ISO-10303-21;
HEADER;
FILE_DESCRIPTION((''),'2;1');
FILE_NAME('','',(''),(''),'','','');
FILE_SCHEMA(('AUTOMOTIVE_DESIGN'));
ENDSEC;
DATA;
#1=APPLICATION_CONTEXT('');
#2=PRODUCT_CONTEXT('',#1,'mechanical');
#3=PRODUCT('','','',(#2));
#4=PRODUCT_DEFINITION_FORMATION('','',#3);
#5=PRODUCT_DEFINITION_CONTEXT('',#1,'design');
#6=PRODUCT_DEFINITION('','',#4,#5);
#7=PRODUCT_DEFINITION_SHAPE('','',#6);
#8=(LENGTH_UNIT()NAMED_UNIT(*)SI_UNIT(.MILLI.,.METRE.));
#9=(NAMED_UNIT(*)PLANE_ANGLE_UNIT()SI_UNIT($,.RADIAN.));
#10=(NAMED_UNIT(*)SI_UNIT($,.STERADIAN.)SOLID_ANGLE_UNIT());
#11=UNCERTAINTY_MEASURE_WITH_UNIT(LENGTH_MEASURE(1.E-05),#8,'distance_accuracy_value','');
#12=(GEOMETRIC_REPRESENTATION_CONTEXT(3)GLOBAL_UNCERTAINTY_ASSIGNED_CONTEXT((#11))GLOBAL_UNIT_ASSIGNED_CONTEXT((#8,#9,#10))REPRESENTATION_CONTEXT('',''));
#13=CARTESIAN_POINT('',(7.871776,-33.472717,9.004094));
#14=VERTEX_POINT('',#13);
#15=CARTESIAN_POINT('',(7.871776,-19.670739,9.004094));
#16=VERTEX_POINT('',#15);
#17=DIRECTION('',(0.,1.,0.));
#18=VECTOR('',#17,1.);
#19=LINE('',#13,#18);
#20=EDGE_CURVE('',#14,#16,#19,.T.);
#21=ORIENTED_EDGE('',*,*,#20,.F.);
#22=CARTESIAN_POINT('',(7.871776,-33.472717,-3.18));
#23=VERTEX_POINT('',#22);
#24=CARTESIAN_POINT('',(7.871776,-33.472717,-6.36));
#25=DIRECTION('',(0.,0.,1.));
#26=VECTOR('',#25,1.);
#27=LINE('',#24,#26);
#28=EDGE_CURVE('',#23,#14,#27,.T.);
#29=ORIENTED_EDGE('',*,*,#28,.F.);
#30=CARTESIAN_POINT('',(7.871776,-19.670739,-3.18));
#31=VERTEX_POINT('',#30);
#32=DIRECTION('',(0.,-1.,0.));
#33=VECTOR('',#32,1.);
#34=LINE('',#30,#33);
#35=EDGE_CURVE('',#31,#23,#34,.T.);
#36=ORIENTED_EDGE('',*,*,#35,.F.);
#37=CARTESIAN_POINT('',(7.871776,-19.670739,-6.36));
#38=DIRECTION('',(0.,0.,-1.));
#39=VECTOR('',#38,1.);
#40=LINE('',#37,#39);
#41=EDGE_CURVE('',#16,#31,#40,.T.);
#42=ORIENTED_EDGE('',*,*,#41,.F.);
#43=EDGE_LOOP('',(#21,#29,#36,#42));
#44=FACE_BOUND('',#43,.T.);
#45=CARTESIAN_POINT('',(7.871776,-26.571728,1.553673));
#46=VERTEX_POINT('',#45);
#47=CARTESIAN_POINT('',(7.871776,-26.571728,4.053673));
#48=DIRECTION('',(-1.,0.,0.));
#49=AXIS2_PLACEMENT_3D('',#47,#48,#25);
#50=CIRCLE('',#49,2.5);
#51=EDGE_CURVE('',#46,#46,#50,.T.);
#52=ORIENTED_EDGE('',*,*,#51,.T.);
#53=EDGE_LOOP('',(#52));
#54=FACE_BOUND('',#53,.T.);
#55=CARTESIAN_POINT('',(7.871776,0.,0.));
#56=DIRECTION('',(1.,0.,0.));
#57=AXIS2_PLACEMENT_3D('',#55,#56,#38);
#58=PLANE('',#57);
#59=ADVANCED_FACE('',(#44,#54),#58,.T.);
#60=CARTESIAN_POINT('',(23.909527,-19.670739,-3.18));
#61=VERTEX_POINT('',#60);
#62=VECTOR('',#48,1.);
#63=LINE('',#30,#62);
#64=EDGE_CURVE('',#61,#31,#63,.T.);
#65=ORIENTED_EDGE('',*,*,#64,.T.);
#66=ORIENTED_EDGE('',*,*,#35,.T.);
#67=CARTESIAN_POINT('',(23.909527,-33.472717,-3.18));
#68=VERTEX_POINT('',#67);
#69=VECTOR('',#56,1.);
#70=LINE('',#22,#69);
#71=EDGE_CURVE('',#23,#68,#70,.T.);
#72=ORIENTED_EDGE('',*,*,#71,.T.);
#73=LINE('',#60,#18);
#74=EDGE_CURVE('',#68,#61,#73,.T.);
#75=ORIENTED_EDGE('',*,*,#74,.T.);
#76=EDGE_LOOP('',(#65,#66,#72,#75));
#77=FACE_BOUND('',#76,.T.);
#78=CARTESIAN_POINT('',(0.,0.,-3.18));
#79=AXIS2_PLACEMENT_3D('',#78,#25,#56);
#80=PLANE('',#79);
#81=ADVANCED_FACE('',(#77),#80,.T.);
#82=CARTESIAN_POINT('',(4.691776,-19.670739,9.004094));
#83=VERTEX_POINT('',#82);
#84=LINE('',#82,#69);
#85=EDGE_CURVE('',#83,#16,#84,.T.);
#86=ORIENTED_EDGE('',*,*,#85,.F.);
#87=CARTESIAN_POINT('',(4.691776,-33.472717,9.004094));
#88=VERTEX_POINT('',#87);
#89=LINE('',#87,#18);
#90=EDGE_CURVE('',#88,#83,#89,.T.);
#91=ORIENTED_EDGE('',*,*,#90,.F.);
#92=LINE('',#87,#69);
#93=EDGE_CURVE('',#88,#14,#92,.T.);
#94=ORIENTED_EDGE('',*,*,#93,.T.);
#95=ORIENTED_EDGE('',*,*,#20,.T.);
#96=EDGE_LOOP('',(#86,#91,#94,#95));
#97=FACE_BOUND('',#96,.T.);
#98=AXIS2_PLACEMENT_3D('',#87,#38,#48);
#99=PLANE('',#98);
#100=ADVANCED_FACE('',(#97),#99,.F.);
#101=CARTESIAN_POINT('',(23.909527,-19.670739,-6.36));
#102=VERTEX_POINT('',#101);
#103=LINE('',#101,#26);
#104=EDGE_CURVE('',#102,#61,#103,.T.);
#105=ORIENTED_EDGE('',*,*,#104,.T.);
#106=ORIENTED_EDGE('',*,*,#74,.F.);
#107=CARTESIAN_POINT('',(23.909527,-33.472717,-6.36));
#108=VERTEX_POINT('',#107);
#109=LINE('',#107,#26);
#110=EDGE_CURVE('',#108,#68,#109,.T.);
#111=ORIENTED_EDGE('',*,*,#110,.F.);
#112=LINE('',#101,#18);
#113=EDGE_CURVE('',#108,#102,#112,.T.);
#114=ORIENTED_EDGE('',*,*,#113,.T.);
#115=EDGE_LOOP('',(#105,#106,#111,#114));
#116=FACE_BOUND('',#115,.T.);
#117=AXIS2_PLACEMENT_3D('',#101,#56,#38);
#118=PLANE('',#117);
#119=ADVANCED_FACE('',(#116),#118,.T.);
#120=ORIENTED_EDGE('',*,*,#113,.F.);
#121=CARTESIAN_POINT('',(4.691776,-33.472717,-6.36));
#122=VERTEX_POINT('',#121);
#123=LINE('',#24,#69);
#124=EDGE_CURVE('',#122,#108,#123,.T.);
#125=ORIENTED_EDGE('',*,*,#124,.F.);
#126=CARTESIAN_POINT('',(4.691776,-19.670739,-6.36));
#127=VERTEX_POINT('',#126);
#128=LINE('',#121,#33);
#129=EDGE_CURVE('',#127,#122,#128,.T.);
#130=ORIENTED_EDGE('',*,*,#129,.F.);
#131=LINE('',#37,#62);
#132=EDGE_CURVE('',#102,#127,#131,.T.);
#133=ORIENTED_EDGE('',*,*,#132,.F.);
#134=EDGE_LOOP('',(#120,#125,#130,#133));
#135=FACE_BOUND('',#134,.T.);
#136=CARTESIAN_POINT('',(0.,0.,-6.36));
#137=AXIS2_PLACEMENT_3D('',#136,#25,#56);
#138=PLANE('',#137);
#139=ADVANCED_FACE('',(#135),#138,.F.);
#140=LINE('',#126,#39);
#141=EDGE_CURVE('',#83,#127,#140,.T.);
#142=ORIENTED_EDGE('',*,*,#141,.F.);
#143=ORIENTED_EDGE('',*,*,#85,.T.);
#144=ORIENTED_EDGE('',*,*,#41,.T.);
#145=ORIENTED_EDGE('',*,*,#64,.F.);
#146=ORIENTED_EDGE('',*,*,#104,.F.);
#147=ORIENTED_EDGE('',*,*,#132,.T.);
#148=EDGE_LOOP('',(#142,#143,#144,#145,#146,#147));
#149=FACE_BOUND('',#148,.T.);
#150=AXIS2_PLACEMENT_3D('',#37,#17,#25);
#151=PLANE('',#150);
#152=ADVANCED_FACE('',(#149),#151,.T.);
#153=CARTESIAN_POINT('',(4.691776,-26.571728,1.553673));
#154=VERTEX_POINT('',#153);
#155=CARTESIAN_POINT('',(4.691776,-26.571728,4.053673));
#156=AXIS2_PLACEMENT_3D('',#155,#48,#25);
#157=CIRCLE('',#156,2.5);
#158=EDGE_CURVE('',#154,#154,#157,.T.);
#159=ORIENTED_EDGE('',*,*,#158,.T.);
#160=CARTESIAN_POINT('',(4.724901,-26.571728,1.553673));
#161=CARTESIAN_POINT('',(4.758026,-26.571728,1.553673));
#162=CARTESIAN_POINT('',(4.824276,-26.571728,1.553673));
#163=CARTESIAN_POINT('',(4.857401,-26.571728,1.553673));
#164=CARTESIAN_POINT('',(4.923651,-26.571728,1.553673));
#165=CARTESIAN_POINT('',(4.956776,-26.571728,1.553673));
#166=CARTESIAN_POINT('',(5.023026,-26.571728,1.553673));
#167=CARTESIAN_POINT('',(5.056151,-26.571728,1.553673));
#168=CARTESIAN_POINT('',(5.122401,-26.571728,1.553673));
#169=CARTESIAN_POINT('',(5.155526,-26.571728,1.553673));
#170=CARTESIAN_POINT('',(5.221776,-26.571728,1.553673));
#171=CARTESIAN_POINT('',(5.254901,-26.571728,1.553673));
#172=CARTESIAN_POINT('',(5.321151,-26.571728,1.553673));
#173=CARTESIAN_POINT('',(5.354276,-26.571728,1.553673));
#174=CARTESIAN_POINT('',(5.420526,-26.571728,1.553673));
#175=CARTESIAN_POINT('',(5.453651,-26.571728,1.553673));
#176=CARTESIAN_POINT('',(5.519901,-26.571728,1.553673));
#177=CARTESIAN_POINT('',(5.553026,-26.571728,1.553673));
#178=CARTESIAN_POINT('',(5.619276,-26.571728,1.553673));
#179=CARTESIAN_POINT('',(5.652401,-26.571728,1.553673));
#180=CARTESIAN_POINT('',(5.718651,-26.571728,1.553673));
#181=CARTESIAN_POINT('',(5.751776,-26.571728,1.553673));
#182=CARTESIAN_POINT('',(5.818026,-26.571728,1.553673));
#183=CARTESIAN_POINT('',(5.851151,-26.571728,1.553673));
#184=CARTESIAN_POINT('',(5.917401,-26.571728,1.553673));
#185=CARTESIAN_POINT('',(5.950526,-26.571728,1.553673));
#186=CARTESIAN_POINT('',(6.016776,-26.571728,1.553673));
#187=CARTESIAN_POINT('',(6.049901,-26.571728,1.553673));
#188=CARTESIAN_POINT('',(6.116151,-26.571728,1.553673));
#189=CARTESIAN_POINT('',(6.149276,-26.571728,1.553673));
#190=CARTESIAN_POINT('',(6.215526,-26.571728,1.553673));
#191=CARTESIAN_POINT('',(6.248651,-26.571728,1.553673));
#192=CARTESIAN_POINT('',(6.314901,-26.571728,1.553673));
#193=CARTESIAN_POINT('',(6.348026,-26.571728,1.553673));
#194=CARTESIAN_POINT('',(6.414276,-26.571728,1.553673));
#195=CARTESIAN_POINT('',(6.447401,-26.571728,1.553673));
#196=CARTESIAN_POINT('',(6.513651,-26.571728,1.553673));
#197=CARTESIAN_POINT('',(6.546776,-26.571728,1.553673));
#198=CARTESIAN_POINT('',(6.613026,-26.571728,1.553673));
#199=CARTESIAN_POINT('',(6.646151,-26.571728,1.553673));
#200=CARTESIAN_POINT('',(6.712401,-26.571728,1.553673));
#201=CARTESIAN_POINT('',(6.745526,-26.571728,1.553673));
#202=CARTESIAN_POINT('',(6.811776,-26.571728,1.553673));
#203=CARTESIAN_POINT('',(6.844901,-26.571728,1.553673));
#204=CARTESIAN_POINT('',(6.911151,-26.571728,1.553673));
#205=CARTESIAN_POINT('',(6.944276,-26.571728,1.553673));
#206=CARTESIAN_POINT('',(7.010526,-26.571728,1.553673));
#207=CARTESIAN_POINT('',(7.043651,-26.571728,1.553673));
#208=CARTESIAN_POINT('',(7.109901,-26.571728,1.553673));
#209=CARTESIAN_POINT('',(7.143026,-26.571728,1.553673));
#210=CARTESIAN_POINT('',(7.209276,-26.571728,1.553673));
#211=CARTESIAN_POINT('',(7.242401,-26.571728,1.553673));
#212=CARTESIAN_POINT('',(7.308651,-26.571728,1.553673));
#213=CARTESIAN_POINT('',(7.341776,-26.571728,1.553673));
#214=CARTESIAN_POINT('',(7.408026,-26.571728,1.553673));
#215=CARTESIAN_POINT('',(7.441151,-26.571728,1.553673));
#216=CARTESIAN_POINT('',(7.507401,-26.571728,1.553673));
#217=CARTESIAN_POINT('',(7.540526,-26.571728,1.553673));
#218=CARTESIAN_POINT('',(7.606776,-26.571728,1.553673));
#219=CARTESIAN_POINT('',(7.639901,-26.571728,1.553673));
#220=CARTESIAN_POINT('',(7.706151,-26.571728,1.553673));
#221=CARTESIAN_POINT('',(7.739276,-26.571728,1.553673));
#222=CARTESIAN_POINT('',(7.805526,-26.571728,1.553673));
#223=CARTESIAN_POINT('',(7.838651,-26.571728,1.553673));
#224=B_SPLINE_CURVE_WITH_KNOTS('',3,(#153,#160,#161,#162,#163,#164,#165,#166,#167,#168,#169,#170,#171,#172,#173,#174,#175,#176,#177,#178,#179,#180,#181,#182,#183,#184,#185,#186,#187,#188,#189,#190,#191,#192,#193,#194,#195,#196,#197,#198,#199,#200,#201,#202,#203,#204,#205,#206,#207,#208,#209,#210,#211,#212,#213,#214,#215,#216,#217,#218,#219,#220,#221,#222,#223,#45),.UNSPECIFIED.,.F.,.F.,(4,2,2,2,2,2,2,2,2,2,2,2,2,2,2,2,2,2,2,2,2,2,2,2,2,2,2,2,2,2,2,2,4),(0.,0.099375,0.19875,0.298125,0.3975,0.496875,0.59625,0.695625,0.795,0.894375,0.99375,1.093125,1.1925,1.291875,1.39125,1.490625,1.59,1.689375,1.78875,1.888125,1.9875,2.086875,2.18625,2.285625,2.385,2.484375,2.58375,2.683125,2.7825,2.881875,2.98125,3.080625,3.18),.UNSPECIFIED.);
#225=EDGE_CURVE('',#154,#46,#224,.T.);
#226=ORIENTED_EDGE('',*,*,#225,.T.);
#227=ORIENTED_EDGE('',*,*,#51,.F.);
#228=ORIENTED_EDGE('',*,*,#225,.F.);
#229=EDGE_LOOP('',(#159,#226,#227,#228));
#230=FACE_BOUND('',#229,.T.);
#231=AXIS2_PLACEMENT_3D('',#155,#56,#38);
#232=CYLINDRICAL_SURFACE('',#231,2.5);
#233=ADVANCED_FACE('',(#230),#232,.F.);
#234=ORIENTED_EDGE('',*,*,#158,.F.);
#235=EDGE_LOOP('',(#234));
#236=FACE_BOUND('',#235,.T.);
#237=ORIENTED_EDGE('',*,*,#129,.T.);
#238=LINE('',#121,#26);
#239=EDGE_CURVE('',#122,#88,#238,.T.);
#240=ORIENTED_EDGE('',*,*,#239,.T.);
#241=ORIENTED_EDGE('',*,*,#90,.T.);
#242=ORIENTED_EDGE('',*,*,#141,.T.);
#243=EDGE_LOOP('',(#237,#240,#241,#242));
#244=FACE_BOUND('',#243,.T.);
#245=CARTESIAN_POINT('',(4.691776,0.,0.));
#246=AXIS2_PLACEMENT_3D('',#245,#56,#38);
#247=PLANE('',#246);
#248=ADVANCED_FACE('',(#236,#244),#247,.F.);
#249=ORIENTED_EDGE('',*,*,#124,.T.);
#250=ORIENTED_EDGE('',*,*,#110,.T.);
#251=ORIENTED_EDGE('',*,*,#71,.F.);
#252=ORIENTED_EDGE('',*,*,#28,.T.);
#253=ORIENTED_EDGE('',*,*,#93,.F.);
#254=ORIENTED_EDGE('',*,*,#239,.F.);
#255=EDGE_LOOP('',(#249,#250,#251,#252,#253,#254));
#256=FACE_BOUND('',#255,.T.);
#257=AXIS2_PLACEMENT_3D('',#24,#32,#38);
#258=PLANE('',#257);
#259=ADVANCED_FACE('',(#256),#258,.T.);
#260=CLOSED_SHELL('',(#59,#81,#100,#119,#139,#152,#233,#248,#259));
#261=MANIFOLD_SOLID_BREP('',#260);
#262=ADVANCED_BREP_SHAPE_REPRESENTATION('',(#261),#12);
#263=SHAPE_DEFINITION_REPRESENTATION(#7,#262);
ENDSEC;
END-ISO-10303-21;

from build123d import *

# Parameters (mm, degrees)
BOSS_EXTRUDE1_START = -3.18
SKETCH1_W           = 16.037750947
SKETCH1_H           = 13.801978015
BOSS_EXTRUDE1_DEPTH = 3.18
SKETCH3_W           = 15.364094043
SKETCH3_H           = 13.801978015
SKETCH3_R           = 2.5
BOSS_EXTRUDE2_DEPTH = 3.18


with BuildPart() as part:
    # Sketch1 → Boss-Extrude1 (new body)
    with BuildSketch(Plane.XY.offset(BOSS_EXTRUDE1_START)):
        with Locations((15.890651203, -26.571727946)):
            Rectangle(SKETCH1_W, SKETCH1_H)
    extrude(amount=-BOSS_EXTRUDE1_DEPTH)

    # Sketch3 → Boss-Extrude2 (add)
    with BuildSketch(Plane.ZY.offset(-7.871775729)):
        with Locations((1.322047021, -26.571727946)):
            Rectangle(SKETCH3_W, SKETCH3_H)
        with Locations(Location((4.053672899, -26.571727946, 0), (0, 0, 180))):
            Circle(SKETCH3_R, mode=Mode.SUBTRACT)
    extrude(amount=BOSS_EXTRUDE2_DEPTH)


solid = part.part
